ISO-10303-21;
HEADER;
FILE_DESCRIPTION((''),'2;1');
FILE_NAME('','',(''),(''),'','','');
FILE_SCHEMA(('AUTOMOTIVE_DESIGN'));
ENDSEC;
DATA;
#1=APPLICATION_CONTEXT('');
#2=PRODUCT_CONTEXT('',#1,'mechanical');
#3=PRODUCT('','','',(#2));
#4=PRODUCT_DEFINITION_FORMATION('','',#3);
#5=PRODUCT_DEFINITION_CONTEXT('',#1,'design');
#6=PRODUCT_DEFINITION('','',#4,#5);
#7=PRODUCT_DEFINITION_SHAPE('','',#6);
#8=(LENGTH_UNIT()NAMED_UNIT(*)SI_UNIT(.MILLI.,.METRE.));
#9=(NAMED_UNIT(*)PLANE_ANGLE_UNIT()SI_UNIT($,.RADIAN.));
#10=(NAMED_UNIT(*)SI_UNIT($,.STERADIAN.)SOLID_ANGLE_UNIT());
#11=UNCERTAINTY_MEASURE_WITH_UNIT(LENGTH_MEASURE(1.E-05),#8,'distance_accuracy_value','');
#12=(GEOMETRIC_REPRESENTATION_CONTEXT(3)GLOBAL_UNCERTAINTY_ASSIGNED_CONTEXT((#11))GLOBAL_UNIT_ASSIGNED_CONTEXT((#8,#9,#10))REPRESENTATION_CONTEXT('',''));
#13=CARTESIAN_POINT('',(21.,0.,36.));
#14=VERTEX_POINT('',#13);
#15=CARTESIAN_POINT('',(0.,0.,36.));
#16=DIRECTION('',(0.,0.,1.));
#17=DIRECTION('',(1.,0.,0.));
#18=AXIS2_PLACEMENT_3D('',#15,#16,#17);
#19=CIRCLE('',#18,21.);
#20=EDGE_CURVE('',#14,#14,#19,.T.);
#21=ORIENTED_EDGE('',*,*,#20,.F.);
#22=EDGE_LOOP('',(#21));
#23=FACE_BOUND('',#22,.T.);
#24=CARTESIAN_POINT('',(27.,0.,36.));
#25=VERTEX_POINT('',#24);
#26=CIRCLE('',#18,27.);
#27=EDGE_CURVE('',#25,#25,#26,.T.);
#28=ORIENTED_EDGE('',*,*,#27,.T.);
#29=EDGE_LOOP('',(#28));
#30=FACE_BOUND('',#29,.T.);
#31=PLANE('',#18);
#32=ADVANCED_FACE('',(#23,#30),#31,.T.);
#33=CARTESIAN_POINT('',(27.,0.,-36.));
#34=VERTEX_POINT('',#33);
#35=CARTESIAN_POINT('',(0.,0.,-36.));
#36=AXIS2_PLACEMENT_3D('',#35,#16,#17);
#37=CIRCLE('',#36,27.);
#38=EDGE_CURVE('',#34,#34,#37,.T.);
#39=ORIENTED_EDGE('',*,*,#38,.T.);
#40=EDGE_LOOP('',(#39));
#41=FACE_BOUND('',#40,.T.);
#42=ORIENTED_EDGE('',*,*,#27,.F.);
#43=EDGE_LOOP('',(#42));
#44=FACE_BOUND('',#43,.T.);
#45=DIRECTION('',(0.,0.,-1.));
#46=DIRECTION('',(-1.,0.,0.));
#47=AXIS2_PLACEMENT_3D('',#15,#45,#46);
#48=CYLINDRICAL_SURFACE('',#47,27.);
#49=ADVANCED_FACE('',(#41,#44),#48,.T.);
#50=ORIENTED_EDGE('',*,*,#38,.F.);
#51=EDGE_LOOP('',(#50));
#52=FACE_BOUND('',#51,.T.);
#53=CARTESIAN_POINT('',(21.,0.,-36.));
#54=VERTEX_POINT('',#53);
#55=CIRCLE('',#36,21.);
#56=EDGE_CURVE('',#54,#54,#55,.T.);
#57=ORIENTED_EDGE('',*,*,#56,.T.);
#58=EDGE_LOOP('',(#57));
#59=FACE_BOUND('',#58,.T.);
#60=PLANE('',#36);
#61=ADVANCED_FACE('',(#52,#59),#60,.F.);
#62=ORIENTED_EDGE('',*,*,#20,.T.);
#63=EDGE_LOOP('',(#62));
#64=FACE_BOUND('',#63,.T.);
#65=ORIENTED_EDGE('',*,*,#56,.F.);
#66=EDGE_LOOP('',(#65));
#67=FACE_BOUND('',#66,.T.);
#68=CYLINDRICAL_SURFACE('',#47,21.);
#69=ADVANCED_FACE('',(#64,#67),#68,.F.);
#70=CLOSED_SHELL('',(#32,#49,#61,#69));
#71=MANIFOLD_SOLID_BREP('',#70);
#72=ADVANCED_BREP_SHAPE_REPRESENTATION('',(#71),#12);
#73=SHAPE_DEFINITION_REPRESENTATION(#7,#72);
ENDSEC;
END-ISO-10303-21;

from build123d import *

# Parameters (mm, degrees)
SKETCH1_R           = 27
SKETCH1_R_2         = 21
BOSS_EXTRUDE1_DEPTH = 36


with BuildPart() as part:
    # Sketch1 → Boss-Extrude1 (new body, symmetric)
    with BuildSketch(Plane.XY):
        Circle(SKETCH1_R)
        Circle(SKETCH1_R_2, mode=Mode.SUBTRACT)
    extrude(amount=BOSS_EXTRUDE1_DEPTH, both=True)


solid = part.part
